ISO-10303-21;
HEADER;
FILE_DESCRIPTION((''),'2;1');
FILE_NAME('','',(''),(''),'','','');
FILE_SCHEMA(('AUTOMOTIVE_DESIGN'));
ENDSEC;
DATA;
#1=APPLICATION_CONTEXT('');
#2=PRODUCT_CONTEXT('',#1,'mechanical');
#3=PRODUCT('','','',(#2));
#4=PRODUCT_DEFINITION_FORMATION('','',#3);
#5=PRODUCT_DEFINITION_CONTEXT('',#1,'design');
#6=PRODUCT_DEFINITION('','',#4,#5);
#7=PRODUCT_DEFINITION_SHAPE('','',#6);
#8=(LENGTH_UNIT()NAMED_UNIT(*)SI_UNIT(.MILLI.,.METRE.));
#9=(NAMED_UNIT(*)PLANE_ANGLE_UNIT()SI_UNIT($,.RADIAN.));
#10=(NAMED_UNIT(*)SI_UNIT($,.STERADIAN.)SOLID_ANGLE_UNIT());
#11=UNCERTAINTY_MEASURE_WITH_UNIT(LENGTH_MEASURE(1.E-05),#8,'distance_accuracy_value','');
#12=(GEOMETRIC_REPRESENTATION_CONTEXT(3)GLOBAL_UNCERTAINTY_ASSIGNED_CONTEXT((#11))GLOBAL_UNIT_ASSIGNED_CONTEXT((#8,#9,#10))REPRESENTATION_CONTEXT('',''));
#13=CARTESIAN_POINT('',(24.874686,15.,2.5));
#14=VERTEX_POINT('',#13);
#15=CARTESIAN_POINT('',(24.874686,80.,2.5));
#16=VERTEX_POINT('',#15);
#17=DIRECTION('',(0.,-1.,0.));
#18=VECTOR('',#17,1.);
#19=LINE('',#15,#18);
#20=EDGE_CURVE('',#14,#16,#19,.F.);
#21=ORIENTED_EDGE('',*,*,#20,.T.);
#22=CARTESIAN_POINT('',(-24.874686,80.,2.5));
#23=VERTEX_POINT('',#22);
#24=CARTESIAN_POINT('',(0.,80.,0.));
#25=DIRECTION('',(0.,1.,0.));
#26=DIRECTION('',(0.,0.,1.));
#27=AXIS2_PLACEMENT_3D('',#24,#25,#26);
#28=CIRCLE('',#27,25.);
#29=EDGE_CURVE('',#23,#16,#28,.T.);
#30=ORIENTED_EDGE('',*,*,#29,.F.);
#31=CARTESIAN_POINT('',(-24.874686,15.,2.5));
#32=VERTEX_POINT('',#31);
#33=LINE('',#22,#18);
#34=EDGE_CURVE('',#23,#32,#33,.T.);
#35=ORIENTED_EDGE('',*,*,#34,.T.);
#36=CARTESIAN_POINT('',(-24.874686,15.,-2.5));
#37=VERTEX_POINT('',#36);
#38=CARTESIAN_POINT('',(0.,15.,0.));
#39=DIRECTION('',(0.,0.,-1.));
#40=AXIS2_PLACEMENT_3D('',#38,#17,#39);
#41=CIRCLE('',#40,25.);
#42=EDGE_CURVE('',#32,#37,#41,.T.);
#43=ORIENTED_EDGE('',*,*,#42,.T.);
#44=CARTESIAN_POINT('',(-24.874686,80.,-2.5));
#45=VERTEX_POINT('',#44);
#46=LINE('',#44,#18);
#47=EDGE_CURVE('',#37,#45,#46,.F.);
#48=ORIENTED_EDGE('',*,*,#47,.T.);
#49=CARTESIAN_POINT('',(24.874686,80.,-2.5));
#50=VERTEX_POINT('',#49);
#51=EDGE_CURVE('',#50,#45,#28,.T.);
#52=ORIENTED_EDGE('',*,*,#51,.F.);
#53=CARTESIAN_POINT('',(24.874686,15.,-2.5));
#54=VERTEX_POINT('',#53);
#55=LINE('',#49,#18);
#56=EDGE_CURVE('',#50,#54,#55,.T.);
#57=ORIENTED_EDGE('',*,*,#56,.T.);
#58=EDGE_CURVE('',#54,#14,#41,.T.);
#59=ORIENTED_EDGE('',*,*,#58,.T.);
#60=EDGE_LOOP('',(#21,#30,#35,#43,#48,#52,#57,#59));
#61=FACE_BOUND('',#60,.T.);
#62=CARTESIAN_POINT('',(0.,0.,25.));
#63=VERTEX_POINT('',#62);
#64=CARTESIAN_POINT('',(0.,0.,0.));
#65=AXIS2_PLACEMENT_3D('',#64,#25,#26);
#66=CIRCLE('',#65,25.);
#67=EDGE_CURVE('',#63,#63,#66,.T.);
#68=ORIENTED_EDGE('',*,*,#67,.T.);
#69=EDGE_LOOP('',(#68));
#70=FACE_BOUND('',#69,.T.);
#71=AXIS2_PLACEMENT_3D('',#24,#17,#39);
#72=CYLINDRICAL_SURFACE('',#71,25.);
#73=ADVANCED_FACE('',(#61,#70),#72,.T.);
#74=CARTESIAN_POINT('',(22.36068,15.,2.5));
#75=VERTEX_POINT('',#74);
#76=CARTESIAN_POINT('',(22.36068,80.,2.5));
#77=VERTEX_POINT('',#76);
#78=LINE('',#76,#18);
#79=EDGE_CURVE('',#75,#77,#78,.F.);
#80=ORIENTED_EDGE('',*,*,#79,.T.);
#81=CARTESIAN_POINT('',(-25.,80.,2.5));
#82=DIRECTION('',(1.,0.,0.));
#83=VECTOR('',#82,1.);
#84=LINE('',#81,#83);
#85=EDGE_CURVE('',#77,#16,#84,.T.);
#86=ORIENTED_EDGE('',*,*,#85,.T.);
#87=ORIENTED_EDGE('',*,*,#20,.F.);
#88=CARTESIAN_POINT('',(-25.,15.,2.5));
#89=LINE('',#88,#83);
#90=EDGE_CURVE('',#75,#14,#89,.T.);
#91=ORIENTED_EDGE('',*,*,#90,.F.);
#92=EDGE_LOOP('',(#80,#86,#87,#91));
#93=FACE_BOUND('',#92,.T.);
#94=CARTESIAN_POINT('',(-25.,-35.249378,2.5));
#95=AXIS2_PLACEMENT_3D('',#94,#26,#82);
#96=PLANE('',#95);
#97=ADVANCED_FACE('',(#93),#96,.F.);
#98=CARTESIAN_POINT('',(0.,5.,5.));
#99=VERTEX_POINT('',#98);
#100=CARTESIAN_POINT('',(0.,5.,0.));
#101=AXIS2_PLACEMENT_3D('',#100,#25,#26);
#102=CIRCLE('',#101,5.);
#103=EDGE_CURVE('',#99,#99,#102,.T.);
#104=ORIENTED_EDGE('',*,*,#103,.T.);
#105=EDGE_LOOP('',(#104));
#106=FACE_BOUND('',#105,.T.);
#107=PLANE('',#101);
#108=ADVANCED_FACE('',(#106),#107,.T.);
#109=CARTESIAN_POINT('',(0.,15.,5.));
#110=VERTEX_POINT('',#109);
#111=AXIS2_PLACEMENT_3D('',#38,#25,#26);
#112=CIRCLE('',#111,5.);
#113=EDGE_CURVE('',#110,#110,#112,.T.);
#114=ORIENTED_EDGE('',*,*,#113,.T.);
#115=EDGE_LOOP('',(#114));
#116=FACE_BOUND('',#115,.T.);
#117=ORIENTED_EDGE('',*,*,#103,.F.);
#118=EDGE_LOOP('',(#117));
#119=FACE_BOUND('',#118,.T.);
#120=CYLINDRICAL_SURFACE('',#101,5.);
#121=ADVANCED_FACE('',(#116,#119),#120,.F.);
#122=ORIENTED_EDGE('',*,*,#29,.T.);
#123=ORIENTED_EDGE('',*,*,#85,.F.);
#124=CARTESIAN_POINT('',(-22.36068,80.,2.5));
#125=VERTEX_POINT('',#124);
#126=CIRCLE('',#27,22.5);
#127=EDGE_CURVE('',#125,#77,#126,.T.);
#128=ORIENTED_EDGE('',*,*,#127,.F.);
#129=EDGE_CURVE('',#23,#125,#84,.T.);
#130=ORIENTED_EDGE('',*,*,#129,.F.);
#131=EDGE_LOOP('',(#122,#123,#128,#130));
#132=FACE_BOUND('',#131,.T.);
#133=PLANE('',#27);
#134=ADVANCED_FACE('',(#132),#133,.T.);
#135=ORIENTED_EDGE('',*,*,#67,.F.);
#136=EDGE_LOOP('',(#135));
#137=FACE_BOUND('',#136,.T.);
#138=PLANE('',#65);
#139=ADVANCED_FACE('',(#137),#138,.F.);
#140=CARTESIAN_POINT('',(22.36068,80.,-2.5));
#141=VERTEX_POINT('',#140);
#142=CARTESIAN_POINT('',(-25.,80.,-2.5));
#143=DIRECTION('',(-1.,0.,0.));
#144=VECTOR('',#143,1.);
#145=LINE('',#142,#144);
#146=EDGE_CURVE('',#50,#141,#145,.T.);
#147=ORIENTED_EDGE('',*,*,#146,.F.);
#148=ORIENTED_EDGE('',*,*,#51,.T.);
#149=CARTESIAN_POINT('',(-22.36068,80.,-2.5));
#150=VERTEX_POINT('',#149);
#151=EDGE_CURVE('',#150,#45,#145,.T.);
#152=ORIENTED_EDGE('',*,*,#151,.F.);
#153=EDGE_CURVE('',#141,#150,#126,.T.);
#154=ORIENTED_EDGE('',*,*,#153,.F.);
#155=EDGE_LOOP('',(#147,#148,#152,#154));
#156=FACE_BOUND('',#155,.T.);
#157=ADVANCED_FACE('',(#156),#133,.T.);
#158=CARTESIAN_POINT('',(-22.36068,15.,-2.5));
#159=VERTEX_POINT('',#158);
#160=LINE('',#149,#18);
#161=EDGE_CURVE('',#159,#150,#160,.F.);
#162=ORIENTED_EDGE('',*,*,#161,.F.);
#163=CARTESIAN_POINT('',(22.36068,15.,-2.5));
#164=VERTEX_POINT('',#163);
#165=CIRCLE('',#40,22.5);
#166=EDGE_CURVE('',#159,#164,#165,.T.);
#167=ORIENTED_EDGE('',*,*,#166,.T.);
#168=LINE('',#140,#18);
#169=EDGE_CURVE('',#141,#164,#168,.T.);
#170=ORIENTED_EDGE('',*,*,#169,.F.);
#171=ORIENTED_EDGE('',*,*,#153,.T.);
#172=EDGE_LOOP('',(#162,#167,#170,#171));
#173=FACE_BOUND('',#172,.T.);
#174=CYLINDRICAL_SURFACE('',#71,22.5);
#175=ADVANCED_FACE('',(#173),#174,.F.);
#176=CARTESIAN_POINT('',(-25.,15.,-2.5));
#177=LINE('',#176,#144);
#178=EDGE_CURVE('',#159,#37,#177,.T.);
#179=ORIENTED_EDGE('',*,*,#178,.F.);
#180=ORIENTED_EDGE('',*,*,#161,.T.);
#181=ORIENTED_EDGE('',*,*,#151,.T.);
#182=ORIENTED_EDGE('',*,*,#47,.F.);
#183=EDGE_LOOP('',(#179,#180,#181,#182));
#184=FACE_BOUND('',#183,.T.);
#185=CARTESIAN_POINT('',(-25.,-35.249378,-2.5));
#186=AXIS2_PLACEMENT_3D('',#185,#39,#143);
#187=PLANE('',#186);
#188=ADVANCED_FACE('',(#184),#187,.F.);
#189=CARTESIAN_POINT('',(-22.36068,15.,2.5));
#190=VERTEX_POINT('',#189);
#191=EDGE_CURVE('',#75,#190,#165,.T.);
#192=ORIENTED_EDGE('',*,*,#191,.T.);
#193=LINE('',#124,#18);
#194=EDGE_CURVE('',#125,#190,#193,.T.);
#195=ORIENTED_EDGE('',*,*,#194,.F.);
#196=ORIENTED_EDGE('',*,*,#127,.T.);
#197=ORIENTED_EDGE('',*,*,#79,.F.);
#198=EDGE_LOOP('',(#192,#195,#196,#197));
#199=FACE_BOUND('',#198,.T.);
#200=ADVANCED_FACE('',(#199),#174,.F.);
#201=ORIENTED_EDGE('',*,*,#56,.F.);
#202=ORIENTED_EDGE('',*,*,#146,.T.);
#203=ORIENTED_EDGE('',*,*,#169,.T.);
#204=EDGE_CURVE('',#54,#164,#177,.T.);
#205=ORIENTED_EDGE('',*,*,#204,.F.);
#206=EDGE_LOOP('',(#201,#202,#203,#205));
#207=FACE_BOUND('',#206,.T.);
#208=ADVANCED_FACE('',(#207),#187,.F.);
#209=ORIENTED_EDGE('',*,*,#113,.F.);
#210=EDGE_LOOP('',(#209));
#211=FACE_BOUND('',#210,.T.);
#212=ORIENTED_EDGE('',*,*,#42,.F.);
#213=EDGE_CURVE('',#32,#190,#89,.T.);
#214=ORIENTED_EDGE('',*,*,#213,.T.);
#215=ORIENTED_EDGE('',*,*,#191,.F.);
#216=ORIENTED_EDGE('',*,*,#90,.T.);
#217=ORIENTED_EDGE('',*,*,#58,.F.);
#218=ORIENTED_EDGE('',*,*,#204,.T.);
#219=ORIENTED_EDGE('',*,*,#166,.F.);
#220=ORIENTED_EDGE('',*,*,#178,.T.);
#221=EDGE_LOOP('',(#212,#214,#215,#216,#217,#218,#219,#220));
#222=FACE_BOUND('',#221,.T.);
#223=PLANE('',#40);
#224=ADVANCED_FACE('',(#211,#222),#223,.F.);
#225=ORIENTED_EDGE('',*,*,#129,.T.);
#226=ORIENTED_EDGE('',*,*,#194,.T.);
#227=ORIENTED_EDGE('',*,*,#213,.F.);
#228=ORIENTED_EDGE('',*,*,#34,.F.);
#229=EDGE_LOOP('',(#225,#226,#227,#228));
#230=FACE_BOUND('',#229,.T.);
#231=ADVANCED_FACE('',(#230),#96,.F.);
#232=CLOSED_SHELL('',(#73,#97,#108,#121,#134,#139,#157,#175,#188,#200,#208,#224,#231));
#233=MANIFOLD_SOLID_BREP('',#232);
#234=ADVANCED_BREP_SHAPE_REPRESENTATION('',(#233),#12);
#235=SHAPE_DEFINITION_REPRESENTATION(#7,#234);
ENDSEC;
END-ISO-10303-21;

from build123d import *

# Parameters (mm, degrees)
SKETCH1_R           = 25
SKETCH1_R_2         = 22.5
BOSS_EXTRUDE1_DEPTH = 80
SKETCH2_R           = 25
BOSS_EXTRUDE2_DEPTH = 15
SKETCH3_W           = 50
SKETCH3_H           = 5
CUT_EXTRUDE1_DEPTH  = 65
SKETCH4_R           = 5
CUT_EXTRUDE2_DEPTH  = 10


with BuildPart() as part:
    # Sketch1 → Boss-Extrude1 (new body)
    with BuildSketch(Plane(origin=(0, 0, 0), x_dir=(1, 0, 0), z_dir=(0, 1, 0))):
        Circle(SKETCH1_R)
        Circle(SKETCH1_R_2, mode=Mode.SUBTRACT)
    extrude(amount=BOSS_EXTRUDE1_DEPTH)

    # Sketch2 → Boss-Extrude2 (add)
    with BuildSketch(Plane.XZ):
        Circle(SKETCH2_R)
    extrude(amount=-BOSS_EXTRUDE2_DEPTH)

    # Sketch3 → Cut-Extrude1 (cut)
    with BuildSketch(Plane(origin=(0, 80, 0), x_dir=(1, 0, 0), z_dir=(0, 1, 0))):
        Rectangle(SKETCH3_W, SKETCH3_H)
    extrude(amount=-CUT_EXTRUDE1_DEPTH, mode=Mode.SUBTRACT)

    # Sketch4 → Cut-Extrude2 (cut)
    with BuildSketch(Plane(origin=(0, 15, 0), x_dir=(1, 0, 0), z_dir=(0, 1, 0))):
        Circle(SKETCH4_R)
    extrude(amount=-CUT_EXTRUDE2_DEPTH, mode=Mode.SUBTRACT)


solid = part.part
